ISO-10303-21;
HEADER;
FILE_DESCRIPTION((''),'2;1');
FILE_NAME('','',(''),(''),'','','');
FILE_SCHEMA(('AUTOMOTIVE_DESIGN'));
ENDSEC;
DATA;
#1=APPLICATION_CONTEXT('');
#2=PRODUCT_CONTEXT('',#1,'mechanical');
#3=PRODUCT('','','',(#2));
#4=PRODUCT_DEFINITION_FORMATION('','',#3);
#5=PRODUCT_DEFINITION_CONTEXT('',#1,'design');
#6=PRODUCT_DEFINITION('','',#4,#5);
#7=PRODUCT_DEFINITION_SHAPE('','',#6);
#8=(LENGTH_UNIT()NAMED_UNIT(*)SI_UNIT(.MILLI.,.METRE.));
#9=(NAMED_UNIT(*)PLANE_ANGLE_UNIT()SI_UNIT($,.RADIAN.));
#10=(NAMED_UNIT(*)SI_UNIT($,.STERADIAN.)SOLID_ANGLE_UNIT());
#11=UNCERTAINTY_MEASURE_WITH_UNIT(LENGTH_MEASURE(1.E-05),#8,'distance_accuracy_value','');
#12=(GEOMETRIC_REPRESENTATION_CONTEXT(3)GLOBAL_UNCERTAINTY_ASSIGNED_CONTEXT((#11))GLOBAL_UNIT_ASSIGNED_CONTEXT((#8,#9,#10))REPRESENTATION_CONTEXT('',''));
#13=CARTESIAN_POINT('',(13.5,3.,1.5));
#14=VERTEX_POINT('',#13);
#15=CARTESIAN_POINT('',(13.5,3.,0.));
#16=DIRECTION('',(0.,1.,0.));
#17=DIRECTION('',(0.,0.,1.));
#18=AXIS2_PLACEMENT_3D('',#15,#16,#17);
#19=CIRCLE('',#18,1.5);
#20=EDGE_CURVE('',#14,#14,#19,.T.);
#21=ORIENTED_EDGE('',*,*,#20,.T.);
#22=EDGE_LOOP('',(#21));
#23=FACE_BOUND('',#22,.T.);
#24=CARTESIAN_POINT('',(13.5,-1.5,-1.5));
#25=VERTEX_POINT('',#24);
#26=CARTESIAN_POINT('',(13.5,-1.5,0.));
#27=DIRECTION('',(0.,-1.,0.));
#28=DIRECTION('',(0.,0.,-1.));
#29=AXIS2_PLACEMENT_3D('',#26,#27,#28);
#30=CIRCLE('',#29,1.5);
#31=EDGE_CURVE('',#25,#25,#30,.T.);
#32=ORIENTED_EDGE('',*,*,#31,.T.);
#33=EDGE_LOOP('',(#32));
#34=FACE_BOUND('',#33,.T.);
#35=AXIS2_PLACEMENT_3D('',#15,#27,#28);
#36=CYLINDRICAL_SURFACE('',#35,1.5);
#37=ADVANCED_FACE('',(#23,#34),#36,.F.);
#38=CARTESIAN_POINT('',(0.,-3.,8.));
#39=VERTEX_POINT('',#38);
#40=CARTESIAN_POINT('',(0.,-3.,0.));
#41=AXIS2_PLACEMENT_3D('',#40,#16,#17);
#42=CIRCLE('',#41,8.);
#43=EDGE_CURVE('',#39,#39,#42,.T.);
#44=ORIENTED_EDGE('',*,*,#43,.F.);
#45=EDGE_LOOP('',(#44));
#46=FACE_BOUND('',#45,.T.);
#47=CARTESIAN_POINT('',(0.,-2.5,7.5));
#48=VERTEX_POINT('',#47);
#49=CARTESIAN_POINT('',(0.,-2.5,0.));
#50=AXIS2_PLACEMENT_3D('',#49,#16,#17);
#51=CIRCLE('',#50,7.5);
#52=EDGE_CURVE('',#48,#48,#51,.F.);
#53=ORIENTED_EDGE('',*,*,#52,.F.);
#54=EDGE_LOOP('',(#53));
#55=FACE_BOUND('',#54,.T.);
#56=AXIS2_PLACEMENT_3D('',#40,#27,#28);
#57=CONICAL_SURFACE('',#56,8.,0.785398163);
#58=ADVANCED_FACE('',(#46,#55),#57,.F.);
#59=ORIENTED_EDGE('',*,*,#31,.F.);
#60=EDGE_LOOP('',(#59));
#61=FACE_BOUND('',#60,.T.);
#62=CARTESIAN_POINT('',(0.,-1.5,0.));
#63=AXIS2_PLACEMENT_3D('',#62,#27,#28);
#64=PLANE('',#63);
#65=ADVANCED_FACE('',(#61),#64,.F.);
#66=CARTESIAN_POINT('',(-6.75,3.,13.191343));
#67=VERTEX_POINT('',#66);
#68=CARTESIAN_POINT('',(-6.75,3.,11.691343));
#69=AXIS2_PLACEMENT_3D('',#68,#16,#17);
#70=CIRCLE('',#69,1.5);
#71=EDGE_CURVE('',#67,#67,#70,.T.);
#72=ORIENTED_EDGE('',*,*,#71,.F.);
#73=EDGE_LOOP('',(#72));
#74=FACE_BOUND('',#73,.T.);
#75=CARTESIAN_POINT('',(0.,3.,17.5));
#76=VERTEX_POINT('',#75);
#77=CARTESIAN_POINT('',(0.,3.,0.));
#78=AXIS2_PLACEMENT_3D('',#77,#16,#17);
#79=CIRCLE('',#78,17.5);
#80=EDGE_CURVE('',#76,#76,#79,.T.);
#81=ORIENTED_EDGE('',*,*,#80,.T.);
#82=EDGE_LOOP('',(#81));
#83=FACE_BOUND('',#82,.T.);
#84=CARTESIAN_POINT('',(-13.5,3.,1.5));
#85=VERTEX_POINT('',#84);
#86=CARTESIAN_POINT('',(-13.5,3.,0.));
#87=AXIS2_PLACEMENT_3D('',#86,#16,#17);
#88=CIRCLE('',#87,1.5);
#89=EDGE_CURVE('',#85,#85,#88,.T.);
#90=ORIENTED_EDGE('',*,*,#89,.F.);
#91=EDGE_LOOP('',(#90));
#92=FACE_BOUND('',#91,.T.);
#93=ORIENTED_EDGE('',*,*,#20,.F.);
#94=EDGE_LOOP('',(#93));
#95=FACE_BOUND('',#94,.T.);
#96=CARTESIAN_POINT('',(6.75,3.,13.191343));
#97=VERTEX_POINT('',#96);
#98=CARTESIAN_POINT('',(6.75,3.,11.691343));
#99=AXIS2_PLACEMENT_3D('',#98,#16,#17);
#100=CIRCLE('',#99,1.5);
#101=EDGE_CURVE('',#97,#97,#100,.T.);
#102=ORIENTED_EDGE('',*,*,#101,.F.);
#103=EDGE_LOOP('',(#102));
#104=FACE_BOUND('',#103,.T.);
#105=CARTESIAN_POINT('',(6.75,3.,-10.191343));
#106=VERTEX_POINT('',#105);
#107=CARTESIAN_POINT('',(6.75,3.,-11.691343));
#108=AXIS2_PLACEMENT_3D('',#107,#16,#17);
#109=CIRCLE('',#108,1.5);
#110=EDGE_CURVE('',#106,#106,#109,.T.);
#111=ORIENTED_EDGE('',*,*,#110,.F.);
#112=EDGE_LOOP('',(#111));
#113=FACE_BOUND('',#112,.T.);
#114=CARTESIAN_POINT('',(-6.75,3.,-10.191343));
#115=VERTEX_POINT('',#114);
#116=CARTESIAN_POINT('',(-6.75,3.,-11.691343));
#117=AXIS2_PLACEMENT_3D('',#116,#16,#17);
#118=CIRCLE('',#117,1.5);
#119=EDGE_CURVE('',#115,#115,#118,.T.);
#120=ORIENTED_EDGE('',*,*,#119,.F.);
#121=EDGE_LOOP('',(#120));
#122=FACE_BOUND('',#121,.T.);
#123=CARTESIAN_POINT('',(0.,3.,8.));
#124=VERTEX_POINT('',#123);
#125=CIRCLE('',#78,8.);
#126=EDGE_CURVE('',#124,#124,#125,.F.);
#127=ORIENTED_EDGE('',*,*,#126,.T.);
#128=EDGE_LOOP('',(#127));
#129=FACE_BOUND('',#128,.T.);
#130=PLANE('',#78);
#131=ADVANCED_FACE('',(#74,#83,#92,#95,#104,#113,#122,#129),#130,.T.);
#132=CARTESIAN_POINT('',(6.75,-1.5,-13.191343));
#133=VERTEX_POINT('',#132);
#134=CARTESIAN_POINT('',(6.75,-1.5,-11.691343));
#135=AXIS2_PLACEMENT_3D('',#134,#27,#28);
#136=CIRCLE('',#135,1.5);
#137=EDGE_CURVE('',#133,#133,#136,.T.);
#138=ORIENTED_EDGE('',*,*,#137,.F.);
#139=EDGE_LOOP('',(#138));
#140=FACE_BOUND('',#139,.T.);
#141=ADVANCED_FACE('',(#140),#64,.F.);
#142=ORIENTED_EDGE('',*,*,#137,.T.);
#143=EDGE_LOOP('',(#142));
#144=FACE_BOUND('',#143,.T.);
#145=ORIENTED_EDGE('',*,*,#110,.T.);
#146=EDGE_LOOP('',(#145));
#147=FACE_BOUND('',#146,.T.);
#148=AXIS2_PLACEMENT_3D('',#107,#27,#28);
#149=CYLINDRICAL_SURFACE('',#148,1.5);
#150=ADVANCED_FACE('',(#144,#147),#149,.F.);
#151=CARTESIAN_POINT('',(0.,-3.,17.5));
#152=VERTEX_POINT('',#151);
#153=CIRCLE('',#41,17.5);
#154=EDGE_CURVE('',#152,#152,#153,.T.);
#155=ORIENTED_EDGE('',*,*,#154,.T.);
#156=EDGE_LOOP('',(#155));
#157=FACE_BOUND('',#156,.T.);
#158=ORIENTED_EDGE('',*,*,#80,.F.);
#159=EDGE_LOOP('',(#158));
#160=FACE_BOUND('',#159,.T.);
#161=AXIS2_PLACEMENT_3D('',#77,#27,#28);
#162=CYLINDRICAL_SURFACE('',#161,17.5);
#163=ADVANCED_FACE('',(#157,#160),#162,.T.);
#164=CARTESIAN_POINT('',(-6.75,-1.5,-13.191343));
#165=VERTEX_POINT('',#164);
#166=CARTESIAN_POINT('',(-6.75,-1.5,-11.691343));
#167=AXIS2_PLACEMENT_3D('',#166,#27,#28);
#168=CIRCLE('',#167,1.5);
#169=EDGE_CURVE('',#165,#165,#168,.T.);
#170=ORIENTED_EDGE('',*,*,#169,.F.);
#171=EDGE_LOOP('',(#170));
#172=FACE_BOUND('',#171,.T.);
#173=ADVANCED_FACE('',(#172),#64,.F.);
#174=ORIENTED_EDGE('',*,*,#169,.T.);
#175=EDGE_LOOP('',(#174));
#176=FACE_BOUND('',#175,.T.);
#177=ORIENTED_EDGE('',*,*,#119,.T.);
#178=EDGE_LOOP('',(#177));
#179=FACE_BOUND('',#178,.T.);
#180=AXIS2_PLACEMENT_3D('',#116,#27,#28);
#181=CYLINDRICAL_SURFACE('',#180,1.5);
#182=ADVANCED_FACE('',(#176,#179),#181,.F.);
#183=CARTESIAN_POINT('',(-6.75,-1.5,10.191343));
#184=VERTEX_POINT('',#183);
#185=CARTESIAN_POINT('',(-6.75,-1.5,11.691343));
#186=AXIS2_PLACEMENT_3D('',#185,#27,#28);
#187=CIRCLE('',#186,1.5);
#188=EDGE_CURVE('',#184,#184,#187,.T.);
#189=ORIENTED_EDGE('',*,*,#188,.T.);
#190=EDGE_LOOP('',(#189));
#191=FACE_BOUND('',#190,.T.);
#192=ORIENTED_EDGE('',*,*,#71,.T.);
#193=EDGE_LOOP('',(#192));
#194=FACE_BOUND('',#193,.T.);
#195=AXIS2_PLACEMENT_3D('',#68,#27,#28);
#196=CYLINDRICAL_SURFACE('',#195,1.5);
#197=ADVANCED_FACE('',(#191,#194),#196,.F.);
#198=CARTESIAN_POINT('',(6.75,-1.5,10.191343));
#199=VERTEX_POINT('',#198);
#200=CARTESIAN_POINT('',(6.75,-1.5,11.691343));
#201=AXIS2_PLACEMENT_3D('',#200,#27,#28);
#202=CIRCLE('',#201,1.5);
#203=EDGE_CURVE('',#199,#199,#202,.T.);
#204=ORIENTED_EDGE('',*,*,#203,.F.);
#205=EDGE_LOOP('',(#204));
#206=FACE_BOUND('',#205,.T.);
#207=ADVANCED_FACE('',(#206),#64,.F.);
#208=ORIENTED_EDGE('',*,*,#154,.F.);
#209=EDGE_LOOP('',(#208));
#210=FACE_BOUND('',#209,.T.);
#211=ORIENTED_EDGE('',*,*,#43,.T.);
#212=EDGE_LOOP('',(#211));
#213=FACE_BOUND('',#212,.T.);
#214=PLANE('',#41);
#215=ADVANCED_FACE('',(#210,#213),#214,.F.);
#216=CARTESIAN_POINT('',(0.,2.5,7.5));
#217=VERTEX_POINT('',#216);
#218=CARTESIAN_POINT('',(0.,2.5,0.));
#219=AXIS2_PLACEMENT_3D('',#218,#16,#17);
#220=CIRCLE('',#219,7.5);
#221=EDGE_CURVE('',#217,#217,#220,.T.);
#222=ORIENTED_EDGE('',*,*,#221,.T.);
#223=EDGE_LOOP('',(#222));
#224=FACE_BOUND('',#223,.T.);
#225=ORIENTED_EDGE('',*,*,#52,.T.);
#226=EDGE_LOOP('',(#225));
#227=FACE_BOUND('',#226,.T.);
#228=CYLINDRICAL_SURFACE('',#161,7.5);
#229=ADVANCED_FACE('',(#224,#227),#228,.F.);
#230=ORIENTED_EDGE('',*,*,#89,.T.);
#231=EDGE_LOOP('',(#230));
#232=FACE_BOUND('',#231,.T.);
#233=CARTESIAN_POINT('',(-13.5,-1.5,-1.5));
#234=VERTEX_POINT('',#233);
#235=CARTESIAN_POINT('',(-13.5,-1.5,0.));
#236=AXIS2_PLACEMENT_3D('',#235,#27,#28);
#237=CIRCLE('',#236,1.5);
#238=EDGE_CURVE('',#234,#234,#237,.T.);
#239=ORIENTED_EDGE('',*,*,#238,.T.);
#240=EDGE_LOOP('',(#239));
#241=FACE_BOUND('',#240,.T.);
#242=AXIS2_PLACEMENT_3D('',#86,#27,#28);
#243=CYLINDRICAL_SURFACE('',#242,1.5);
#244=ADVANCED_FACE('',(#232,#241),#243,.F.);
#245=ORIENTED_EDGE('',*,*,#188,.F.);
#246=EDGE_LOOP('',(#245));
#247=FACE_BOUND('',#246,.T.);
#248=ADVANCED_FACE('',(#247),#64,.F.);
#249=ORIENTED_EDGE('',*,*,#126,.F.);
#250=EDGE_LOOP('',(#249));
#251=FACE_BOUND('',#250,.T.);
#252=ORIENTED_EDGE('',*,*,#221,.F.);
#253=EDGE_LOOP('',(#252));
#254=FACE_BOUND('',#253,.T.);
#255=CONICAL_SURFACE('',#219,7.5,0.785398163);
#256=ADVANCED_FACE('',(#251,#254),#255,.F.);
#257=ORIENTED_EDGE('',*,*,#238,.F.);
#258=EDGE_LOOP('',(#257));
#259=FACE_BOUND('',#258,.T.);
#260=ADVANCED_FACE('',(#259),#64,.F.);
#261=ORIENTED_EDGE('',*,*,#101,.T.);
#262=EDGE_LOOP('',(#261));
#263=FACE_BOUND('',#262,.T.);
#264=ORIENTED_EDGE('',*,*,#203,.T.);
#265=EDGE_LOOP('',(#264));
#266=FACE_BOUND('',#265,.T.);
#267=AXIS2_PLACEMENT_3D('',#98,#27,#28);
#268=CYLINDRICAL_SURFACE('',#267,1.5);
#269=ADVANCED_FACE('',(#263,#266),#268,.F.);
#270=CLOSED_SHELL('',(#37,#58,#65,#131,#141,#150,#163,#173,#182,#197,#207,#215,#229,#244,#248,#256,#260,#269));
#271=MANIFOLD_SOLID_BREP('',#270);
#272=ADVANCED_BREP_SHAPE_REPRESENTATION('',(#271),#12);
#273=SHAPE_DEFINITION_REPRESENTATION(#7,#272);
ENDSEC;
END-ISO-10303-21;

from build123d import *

# Parameters (mm, degrees)
SKETCH1_R           = 17.5
SKETCH1_R_2         = 1.5
SKETCH1_R_3         = 7.5
BOSS_EXTRUDE1_DEPTH = 3
SKETCH3_R           = 15
SKETCH3_R_2         = 12
BOSS_EXTRUDE2_DEPTH = 1.5
CHAMFER1_SIZE       = 0.5


with BuildPart() as part:
    # Sketch1 → Boss-Extrude1 (new body, symmetric)
    with BuildSketch(Plane(origin=(0, 0, 0), x_dir=(1, 0, 0), z_dir=(0, 1, 0))):
        Circle(SKETCH1_R)
        with Locations((13.5, 0)):
            Circle(SKETCH1_R_2, mode=Mode.SUBTRACT)
        with Locations((6.75, -11.691342951)):
            Circle(SKETCH1_R_2, mode=Mode.SUBTRACT)
        with Locations((-6.75, -11.691342951)):
            Circle(SKETCH1_R_2, mode=Mode.SUBTRACT)
        with Locations((-13.5, 0)):
            Circle(SKETCH1_R_2, mode=Mode.SUBTRACT)
        with Locations((-6.75, 11.691342951)):
            Circle(SKETCH1_R_2, mode=Mode.SUBTRACT)
        with Locations((6.75, 11.691342951)):
            Circle(SKETCH1_R_2, mode=Mode.SUBTRACT)
        Circle(SKETCH1_R_3, mode=Mode.SUBTRACT)
    extrude(amount=BOSS_EXTRUDE1_DEPTH, both=True)

    # Sketch3 → Boss-Extrude2 (add)
    with BuildSketch(Plane.XZ.offset(3)):
        Circle(SKETCH3_R)
        Circle(SKETCH3_R_2, mode=Mode.SUBTRACT)
    extrude(amount=-BOSS_EXTRUDE2_DEPTH)

    # Chamfer1
    chamfer1_edges = [part.edges().sort_by_distance(p)[0] for p in [
        (-7.5, -3, 0),
        (-7.5, 3, 0),
    ]]
    chamfer(chamfer1_edges, length=CHAMFER1_SIZE)


solid = part.part
